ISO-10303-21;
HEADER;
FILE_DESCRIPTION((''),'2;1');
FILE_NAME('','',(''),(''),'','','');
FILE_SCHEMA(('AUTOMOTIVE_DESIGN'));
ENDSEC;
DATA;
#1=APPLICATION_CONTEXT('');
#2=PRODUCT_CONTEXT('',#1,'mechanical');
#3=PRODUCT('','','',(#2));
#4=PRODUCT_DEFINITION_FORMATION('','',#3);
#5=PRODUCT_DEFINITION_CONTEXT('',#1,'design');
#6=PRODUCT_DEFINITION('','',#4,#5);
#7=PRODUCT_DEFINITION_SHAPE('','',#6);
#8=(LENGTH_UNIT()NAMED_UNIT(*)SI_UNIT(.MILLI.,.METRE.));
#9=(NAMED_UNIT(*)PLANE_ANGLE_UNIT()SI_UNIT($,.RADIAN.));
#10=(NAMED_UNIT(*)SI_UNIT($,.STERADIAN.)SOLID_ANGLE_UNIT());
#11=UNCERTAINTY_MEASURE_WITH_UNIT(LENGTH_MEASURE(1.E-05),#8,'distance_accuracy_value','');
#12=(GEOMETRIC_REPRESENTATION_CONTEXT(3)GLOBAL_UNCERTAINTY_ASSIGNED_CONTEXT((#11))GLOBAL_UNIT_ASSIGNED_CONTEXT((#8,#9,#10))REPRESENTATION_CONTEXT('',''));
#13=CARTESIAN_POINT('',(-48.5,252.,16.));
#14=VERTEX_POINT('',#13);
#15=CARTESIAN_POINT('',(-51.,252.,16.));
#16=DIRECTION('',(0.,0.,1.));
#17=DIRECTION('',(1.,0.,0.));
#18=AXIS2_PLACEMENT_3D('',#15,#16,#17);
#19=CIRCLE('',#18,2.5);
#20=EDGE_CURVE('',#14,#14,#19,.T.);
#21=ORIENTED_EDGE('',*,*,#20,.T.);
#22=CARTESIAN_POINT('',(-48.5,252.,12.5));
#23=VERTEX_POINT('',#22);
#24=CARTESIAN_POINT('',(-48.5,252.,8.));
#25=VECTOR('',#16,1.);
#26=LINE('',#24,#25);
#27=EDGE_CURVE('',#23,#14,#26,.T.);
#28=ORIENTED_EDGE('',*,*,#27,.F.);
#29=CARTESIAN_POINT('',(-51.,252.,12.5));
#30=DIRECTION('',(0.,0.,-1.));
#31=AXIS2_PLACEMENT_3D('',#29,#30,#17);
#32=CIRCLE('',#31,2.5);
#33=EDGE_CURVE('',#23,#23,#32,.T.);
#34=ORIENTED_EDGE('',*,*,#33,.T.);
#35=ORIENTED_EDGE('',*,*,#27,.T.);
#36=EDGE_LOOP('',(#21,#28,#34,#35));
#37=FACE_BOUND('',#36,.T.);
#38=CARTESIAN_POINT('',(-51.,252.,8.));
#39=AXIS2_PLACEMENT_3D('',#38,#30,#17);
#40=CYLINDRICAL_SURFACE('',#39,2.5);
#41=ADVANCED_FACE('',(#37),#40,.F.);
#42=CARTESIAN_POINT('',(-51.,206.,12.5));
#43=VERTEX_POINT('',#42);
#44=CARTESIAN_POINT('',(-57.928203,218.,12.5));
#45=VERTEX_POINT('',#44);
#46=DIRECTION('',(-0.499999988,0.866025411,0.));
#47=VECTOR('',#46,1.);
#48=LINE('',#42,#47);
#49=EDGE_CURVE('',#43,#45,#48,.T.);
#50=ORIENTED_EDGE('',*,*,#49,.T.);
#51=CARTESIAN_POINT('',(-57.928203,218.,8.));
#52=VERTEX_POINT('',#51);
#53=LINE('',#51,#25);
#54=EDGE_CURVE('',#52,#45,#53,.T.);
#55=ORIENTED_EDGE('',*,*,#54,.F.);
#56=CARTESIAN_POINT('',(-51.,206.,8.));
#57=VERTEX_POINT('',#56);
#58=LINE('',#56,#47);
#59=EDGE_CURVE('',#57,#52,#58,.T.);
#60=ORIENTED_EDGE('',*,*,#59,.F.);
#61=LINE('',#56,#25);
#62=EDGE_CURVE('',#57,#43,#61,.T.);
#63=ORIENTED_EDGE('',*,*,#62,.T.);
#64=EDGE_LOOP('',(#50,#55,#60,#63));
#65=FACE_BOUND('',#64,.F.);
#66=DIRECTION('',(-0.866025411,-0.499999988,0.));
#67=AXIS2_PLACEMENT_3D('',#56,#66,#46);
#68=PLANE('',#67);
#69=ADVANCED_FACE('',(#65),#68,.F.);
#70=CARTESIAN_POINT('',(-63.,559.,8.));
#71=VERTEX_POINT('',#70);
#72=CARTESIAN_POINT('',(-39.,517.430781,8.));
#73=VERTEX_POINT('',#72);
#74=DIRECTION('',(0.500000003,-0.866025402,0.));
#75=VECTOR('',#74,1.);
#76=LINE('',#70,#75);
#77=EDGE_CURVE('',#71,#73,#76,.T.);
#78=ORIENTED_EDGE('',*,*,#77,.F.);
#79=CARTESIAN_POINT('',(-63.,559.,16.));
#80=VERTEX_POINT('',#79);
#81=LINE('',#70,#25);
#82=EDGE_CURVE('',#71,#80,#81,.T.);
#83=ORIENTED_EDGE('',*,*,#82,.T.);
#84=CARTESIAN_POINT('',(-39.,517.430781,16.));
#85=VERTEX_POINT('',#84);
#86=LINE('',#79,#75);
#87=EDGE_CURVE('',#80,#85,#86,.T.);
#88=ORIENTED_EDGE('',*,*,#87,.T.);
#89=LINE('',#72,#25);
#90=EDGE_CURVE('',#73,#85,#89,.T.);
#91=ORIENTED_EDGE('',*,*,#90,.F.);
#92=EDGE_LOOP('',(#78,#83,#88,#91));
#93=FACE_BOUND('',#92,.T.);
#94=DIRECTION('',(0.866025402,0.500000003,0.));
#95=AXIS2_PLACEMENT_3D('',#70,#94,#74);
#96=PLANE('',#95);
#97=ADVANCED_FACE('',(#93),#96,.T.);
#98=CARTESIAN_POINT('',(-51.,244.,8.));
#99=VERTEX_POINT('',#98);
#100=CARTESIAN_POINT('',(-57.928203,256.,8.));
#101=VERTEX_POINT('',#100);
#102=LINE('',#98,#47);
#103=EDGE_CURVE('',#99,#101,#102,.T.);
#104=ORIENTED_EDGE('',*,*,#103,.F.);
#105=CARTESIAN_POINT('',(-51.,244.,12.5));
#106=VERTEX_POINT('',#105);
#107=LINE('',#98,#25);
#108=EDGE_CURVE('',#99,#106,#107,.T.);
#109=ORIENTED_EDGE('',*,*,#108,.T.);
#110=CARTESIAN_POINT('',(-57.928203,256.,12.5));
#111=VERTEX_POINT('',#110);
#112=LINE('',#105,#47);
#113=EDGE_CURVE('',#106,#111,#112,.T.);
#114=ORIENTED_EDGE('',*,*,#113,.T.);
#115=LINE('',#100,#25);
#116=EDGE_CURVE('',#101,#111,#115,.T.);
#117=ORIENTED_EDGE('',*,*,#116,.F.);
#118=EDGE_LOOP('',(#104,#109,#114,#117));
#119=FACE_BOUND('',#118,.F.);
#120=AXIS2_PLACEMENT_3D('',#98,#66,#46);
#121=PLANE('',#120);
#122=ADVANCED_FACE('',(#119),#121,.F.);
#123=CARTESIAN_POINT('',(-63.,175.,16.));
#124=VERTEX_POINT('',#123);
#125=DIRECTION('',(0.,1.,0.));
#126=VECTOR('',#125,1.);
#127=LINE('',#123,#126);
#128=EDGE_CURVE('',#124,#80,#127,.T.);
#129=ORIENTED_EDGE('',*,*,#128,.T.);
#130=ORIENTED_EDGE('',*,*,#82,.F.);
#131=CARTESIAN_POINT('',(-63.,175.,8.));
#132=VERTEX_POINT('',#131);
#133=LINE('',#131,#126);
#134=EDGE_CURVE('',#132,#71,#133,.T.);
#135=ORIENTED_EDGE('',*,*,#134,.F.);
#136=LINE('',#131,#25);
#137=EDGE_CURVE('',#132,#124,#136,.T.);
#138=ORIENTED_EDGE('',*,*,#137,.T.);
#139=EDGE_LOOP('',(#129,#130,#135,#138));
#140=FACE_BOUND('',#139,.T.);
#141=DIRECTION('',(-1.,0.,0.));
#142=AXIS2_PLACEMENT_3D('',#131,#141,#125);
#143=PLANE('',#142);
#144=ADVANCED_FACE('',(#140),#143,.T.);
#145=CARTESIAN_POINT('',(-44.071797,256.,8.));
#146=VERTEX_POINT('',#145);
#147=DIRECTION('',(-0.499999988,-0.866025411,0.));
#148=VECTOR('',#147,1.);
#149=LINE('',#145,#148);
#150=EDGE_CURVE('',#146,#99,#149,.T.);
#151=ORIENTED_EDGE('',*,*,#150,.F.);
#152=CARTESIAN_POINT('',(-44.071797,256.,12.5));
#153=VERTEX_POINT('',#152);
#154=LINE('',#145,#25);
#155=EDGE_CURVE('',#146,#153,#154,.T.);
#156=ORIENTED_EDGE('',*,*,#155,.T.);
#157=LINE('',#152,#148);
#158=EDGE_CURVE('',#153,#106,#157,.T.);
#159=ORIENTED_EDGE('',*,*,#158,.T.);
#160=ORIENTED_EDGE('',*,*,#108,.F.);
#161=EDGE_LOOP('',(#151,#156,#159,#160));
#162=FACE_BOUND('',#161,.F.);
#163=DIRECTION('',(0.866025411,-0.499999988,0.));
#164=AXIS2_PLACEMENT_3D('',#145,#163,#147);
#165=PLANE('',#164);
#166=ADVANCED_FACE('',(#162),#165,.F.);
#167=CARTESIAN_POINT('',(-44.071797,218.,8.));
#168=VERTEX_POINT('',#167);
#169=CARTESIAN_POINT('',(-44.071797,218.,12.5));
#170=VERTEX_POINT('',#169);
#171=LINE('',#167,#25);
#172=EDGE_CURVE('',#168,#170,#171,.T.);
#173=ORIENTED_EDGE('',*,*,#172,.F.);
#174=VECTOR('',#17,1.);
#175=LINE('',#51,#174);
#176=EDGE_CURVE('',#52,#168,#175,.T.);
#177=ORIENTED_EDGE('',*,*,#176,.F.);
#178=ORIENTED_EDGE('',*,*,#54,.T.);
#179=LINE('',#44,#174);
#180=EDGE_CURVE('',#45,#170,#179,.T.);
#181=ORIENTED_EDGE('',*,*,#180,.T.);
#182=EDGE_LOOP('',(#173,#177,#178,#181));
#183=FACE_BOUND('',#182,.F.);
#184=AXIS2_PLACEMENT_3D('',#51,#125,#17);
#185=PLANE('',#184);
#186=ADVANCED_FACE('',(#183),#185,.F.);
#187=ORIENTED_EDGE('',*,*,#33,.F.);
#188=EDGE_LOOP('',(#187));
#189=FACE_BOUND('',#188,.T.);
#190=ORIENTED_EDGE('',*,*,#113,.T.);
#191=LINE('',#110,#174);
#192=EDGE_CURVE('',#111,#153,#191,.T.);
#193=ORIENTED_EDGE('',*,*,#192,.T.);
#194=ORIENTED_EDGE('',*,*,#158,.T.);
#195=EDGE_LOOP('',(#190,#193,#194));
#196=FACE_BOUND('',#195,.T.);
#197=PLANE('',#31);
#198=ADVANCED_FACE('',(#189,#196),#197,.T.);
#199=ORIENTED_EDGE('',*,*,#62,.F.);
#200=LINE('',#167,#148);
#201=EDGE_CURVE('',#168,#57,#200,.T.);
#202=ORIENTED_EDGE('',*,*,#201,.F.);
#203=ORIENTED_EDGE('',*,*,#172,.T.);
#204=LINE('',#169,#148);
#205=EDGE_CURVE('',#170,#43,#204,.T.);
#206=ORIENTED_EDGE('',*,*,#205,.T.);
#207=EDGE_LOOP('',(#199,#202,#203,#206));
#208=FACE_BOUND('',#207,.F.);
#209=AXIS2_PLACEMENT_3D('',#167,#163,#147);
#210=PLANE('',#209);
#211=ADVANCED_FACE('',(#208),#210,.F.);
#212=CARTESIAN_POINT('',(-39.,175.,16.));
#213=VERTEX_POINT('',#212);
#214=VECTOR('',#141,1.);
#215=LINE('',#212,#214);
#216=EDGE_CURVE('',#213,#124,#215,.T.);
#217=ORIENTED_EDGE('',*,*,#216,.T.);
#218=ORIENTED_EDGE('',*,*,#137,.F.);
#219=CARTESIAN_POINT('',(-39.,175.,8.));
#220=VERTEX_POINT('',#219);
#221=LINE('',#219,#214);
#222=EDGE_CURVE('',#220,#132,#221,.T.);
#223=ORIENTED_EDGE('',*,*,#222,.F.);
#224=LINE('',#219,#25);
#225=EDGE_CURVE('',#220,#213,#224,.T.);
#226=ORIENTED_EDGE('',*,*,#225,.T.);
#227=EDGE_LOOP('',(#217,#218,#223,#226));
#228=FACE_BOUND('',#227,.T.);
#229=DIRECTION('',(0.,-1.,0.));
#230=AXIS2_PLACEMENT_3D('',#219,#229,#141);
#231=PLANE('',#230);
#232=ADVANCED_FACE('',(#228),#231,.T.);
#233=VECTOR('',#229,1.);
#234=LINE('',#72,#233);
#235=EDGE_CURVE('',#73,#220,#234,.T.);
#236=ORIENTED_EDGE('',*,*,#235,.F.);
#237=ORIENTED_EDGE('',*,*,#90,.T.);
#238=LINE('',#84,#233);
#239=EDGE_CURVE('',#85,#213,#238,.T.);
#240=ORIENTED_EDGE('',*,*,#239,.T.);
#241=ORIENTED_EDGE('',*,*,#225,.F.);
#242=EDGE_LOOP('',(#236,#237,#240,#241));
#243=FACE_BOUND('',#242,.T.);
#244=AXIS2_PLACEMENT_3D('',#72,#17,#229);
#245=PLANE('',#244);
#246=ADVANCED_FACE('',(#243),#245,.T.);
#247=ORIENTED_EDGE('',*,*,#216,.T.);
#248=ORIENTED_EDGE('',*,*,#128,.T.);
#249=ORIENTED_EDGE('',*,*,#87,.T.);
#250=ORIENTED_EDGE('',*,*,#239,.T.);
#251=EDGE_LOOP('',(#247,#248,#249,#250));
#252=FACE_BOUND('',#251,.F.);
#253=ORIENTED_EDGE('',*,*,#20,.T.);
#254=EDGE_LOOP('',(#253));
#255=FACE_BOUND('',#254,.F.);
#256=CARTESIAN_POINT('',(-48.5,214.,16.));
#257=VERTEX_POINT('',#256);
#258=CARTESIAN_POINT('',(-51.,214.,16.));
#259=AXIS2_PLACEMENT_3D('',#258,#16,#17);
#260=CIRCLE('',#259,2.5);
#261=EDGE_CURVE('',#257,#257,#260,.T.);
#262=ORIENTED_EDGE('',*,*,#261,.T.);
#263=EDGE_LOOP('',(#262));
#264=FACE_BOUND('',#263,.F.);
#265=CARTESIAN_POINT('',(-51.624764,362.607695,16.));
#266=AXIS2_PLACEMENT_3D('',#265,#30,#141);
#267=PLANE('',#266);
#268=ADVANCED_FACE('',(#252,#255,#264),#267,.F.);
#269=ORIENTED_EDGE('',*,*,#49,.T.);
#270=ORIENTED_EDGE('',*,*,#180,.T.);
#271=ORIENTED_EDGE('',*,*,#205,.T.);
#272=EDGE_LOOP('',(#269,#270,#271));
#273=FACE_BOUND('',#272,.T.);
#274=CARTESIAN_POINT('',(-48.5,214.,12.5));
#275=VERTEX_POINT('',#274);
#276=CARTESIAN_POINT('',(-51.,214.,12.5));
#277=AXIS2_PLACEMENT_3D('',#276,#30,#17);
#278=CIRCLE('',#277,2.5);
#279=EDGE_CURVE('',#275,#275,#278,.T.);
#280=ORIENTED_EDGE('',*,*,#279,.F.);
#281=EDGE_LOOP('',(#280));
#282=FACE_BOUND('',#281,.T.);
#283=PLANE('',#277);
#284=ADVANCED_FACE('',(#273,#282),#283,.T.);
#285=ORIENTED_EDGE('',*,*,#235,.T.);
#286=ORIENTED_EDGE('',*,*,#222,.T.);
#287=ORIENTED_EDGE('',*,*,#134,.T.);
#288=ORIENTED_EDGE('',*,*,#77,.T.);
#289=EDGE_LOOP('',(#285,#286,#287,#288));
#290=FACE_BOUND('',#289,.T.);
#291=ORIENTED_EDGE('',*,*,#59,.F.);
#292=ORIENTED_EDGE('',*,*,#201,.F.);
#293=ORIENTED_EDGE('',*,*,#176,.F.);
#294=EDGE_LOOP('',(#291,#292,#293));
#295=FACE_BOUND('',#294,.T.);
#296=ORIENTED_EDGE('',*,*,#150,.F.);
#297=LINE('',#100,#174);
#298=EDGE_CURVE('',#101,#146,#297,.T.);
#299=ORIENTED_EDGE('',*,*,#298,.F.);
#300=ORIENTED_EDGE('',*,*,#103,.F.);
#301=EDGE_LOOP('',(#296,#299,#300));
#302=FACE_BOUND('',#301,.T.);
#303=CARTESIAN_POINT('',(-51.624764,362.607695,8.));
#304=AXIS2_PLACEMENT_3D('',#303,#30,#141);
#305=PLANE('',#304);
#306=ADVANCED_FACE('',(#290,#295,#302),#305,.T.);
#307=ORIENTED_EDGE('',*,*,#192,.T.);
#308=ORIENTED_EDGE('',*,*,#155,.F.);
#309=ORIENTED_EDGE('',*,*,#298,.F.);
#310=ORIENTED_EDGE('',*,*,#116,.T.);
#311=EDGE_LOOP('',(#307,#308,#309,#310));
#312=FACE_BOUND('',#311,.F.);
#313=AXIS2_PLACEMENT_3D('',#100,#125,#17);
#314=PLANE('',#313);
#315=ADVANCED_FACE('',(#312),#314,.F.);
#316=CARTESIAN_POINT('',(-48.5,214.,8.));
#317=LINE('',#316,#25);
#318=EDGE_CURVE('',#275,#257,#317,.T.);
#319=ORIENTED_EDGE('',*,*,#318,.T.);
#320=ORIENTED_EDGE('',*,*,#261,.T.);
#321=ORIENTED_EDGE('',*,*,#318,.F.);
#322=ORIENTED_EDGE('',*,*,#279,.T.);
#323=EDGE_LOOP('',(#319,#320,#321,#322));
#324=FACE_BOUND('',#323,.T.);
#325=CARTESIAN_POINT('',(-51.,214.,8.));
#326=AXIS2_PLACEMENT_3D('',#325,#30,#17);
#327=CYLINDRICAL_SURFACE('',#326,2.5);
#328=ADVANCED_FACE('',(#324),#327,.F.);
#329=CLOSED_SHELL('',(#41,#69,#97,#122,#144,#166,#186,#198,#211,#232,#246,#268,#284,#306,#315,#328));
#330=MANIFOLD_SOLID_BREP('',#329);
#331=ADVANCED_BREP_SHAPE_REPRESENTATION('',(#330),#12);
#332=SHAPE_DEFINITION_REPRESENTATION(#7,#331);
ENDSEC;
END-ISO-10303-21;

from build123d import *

# Parameters (mm, degrees)
SKETCH019_R            = 2.5
PAD013_DEPTH           = 8
POCKET_DEPTH           = 4.5
LINEARPATTERN001_COUNT = 2
LINEARPATTERN001_PITCH = 38


with BuildPart() as part:
    # Sketch019 → Pad013 (new body)
    with BuildSketch(Plane.XY.offset(8)):
        Polygon((8, 192), (32, 150.430781), (32, -192), (8, -192), align=None)
        with Locations((20, -115)):
            Circle(SKETCH019_R, mode=Mode.SUBTRACT)
        with Locations((20, -153)):
            Circle(SKETCH019_R, mode=Mode.SUBTRACT)
    extrude(amount=PAD013_DEPTH)

    # Sketch021 → Pocket (cut)
    with BuildSketch(Plane(origin=(0, 0, 8), x_dir=(1, 0, 0), z_dir=(0, 0, -1))):
        Polygon((20, 123), (13.071797, 111), (26.928203, 111), align=None)
    pocket = extrude(amount=-POCKET_DEPTH, mode=Mode.SUBTRACT)

    # LinearPattern001: Pocket ×2
    with Locations(*[(0, -i * LINEARPATTERN001_PITCH, 0) for i in range(1, LINEARPATTERN001_COUNT)]):
        add(pocket, mode=Mode.SUBTRACT)


with BuildPart() as part_1:
    # Clone004 placement: moved
    add(part.part.moved(Location((-71, 367, 0))))


solid = part_1.part
